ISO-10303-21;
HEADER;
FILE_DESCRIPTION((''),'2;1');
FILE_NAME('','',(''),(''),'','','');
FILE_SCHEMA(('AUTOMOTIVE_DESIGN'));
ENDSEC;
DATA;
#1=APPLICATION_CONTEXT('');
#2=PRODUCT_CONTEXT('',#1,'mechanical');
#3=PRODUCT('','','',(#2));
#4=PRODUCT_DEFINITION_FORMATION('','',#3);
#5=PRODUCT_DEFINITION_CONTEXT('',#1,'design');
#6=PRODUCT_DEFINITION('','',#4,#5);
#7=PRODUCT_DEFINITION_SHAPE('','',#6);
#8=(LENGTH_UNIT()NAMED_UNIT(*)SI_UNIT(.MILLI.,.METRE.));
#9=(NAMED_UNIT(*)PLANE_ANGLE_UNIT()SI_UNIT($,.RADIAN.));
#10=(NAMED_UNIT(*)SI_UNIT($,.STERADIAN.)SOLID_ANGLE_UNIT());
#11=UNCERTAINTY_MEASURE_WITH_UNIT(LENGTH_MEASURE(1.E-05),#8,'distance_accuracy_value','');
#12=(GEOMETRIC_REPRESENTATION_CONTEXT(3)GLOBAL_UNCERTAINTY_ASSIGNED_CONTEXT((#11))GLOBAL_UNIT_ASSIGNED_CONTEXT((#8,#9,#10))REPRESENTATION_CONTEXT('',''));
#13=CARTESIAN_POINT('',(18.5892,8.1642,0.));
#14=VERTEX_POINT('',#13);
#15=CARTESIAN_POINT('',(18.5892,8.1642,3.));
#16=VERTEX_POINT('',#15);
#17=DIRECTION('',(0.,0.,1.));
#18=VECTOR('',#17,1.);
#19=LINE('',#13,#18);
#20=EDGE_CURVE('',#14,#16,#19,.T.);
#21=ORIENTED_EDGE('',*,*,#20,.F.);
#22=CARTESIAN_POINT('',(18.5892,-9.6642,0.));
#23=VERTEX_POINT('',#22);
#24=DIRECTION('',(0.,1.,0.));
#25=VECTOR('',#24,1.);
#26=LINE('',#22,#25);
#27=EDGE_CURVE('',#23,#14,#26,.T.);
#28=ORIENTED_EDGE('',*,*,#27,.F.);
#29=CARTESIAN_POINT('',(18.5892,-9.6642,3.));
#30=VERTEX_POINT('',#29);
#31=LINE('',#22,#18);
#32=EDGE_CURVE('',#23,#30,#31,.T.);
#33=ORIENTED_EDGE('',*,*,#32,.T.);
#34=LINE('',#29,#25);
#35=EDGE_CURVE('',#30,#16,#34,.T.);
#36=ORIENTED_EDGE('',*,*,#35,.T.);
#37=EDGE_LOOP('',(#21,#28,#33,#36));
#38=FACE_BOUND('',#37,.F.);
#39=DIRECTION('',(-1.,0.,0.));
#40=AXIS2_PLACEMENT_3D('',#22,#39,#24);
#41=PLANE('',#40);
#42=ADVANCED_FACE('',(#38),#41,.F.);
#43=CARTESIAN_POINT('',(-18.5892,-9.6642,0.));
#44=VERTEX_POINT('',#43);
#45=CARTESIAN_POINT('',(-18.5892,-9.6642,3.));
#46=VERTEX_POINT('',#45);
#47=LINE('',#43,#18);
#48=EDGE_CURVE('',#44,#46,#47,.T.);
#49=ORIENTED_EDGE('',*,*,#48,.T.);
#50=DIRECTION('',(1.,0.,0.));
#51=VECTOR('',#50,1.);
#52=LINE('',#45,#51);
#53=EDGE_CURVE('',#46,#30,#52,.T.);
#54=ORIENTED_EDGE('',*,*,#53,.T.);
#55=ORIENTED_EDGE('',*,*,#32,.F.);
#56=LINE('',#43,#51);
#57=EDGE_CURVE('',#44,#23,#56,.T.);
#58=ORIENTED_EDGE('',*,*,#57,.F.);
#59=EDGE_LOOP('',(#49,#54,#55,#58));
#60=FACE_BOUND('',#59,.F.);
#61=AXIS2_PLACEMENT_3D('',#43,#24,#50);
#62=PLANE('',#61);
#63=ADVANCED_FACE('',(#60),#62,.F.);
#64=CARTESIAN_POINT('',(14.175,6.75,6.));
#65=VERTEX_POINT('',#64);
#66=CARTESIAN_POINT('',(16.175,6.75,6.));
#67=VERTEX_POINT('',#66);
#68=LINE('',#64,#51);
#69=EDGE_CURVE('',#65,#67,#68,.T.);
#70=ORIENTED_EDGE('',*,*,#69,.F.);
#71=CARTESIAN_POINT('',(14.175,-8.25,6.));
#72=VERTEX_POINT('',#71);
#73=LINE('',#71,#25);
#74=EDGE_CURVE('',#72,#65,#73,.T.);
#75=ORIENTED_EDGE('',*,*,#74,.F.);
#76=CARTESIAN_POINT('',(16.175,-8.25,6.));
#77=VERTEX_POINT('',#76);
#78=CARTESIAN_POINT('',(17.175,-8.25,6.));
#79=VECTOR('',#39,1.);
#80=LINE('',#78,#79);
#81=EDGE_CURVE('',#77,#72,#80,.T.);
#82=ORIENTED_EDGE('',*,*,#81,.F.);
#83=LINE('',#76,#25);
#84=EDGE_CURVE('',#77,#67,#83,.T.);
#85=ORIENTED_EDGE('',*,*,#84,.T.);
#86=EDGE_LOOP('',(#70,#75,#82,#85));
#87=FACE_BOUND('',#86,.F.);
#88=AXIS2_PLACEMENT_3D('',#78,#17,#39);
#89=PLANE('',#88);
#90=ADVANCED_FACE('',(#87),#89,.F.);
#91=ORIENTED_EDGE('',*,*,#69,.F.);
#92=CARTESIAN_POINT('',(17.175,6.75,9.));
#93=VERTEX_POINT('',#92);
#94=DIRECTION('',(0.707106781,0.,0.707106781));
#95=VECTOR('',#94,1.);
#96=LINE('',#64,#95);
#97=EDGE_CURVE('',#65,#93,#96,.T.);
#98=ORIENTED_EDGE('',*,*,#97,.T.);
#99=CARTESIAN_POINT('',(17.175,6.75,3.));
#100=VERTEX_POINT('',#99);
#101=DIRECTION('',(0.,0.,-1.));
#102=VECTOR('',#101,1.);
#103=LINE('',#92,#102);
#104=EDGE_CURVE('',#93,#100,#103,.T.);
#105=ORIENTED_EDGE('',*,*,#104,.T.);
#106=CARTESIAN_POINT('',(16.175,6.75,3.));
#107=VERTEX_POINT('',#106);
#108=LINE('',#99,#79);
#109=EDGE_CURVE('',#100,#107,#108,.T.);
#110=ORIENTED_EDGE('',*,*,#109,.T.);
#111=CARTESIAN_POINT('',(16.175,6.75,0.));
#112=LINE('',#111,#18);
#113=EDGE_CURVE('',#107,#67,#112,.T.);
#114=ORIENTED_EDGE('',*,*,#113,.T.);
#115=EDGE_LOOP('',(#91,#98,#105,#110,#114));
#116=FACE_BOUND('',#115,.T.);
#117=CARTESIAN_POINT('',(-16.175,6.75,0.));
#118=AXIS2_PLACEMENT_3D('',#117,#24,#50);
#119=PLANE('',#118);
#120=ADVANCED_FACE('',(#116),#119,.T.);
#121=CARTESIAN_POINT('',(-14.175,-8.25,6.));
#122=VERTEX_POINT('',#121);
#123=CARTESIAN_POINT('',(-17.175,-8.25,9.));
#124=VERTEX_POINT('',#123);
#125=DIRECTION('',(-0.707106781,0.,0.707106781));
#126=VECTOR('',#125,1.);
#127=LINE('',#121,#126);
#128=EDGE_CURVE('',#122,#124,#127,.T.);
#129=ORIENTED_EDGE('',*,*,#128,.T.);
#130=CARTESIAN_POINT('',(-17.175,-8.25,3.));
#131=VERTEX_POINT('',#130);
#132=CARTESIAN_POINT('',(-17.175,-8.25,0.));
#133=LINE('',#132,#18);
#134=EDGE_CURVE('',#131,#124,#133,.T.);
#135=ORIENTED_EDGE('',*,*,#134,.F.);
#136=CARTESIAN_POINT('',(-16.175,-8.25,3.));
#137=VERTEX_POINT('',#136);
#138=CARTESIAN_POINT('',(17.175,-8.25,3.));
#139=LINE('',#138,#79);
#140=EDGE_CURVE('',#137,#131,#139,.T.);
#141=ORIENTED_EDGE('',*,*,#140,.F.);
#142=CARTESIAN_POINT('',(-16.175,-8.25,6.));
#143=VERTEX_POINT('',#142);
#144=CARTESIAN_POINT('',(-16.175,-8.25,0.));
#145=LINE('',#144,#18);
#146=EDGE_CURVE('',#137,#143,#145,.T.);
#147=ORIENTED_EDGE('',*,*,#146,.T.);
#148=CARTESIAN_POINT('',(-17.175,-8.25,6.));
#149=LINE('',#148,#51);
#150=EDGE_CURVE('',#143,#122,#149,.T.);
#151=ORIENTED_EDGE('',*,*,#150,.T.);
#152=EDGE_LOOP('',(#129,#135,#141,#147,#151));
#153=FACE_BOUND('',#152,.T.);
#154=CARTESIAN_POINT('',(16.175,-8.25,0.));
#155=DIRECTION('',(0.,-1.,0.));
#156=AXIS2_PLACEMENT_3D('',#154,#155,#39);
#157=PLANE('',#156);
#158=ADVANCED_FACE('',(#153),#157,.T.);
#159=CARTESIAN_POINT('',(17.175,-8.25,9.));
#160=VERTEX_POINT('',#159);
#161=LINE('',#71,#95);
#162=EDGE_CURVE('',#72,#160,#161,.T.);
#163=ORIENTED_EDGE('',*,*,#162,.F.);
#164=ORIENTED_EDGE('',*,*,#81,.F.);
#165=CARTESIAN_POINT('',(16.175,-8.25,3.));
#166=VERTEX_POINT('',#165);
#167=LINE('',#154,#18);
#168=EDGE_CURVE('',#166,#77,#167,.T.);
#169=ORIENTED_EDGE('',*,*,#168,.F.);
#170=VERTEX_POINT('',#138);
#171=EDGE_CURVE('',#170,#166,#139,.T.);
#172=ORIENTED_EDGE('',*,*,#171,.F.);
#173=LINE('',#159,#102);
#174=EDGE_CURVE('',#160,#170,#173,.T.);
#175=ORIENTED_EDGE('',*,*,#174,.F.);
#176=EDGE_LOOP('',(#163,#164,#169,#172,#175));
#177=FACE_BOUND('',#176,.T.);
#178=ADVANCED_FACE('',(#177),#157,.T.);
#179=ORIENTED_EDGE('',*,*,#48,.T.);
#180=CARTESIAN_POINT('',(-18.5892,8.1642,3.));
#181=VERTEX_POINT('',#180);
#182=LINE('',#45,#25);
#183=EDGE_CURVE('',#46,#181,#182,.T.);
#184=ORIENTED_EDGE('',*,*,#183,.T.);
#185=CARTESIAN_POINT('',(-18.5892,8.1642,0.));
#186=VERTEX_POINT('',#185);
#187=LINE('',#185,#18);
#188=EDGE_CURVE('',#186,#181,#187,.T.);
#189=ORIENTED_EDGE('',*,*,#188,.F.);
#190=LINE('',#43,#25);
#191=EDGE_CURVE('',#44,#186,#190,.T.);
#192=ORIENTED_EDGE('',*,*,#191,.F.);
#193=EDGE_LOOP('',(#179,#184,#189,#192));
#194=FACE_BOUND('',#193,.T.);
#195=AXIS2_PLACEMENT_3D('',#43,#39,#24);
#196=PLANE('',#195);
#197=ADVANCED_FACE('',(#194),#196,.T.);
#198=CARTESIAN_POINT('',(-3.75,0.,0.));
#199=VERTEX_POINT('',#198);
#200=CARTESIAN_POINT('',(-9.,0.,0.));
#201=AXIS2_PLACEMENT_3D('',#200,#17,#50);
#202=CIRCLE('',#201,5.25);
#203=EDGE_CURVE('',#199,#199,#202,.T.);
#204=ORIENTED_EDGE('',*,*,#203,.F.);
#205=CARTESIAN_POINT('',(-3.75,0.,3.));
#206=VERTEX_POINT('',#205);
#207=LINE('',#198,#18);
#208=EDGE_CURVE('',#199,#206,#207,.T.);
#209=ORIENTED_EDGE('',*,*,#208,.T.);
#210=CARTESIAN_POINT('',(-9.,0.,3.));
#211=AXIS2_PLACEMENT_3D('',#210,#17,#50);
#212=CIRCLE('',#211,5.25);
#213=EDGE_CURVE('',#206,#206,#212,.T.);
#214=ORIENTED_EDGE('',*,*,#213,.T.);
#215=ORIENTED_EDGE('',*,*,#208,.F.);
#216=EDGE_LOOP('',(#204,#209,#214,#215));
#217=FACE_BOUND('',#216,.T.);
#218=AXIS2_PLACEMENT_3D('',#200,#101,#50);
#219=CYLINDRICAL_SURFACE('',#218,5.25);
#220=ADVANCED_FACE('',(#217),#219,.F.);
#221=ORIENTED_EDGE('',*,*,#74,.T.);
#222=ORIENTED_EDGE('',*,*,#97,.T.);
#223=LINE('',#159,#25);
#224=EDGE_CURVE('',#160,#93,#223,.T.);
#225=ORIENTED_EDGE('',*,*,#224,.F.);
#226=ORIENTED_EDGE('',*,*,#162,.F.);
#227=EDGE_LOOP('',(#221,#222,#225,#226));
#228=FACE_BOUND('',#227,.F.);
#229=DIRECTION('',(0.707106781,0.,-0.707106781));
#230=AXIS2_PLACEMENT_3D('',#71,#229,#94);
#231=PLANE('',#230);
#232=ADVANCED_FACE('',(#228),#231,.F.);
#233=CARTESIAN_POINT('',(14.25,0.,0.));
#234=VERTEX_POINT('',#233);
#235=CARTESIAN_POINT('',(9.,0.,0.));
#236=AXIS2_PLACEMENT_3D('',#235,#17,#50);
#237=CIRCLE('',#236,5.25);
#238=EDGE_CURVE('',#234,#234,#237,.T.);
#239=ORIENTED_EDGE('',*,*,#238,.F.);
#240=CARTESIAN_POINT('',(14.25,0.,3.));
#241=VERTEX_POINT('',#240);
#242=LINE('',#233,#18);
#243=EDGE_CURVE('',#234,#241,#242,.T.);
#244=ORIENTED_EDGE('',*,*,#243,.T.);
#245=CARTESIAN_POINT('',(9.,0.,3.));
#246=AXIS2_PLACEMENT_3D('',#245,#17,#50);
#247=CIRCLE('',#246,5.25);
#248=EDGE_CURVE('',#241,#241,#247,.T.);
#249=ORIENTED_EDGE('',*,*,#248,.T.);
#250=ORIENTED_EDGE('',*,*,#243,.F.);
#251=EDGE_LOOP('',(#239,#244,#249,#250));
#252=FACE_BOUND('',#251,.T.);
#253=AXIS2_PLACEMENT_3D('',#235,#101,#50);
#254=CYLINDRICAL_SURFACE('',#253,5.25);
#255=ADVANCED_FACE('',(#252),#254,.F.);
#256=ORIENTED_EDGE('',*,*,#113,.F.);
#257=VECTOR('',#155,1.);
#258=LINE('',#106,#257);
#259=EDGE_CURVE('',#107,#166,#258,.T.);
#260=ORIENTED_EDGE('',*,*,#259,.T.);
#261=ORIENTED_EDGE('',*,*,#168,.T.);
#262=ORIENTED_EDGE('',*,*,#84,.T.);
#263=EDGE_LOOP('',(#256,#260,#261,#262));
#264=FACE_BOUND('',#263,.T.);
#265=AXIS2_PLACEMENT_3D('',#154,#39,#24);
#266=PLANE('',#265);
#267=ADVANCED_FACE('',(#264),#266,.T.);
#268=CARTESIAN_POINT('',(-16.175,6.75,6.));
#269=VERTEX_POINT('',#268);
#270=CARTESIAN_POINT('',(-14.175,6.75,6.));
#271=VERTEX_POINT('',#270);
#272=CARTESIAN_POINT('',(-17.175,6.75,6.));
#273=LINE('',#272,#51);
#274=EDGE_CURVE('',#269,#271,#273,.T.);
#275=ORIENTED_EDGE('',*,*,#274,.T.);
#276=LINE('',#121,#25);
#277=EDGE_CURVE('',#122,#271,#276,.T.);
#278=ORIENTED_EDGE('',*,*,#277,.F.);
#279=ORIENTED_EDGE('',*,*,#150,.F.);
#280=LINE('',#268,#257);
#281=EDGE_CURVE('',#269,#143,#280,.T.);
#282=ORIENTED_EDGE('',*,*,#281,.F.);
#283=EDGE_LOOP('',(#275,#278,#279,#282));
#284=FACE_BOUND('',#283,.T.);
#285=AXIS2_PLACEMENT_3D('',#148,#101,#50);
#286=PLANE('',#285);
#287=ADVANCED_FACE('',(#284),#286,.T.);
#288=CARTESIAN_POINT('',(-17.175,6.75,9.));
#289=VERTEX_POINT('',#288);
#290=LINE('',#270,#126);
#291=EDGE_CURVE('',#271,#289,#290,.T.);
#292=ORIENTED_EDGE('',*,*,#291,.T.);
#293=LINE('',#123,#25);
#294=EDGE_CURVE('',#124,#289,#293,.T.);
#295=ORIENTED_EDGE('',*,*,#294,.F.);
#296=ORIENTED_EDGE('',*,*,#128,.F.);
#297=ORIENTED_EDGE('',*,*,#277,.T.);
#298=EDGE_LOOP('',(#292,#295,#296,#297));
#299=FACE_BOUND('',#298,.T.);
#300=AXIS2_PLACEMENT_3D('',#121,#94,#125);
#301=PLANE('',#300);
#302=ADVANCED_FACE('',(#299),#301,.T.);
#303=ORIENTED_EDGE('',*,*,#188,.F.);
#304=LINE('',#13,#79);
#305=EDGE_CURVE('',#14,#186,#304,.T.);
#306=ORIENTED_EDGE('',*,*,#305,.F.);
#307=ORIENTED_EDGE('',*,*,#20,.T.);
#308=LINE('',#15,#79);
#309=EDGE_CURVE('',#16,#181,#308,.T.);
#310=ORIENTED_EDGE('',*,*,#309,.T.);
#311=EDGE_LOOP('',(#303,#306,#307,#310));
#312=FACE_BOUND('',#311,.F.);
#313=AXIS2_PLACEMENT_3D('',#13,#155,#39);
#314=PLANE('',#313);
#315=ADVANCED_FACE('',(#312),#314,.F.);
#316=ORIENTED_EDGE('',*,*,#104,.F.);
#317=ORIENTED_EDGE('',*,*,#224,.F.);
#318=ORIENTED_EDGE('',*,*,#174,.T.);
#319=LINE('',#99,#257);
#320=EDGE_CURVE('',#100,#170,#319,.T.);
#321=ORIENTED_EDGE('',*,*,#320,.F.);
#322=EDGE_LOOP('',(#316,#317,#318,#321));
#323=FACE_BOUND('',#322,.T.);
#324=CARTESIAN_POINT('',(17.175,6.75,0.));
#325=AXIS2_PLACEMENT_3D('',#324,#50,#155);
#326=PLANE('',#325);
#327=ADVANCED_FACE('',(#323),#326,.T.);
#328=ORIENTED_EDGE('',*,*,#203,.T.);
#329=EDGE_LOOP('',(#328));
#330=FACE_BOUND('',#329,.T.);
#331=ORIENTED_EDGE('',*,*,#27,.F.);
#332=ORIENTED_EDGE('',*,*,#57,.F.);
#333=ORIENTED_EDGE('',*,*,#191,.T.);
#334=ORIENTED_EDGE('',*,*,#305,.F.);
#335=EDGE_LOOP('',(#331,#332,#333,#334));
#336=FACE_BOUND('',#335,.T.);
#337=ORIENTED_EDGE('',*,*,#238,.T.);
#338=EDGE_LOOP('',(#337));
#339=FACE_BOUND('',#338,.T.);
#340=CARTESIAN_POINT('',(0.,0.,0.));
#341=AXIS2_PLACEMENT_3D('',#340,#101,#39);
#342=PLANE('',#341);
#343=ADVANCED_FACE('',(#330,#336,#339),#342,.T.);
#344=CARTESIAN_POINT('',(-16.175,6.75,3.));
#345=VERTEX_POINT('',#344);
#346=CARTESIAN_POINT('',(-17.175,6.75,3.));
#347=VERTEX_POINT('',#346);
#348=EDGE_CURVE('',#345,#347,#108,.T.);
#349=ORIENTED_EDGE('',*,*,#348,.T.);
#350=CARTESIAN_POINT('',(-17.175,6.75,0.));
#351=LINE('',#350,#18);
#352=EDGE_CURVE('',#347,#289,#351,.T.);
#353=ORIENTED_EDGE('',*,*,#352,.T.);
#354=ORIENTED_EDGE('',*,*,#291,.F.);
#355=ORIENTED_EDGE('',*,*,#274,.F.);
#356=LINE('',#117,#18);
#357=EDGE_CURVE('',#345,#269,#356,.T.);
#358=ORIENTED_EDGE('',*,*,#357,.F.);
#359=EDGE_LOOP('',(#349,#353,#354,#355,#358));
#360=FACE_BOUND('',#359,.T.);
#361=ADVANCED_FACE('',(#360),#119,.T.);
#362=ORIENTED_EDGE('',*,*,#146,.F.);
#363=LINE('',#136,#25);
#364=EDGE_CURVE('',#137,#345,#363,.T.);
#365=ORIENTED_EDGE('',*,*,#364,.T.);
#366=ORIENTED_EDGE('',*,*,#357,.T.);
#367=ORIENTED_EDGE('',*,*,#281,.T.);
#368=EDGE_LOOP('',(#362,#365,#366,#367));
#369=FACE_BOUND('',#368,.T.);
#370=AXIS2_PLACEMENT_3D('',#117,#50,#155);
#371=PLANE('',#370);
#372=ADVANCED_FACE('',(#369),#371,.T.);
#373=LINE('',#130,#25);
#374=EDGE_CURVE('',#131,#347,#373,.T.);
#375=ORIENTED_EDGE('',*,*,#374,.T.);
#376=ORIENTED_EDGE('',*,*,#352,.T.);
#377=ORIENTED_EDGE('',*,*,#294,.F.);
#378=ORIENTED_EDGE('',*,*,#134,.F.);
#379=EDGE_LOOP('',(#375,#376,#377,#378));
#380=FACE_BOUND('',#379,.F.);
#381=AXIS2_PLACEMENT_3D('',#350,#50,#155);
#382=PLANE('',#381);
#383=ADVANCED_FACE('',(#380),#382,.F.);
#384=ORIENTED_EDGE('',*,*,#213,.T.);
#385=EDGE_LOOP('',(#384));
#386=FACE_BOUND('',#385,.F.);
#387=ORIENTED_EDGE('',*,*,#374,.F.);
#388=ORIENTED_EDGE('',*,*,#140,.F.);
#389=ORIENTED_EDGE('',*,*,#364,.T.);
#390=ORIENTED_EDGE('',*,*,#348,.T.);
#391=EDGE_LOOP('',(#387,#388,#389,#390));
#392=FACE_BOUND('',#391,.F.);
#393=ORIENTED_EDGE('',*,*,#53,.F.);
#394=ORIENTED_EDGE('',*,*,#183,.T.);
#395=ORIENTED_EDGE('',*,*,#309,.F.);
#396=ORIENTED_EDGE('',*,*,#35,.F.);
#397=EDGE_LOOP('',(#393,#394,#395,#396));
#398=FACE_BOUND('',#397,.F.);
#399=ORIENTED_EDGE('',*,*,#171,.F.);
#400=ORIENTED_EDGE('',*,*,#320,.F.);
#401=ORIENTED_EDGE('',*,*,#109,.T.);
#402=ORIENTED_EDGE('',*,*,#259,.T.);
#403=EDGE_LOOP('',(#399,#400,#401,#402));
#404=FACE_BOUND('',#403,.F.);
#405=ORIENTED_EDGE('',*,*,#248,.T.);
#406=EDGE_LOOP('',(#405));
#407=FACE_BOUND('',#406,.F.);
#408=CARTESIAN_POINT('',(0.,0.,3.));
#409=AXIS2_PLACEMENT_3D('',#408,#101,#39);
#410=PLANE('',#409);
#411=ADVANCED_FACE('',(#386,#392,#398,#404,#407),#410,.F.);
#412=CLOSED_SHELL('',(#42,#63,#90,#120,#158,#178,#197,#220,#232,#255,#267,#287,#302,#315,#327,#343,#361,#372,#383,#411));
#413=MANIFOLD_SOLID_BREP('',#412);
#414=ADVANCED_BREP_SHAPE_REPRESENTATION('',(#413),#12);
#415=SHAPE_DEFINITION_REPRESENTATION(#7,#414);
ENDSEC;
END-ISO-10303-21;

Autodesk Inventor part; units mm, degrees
ref_plane "YZ Plane" through (0, 0, 0) normal (1, 0, 0) x (0, 1, 0)
ref_plane "XZ Plane" through (0, 0, 0) normal (0, 1, 0) x (-1, 0, 0)
ref_plane "XY Plane" through (0, 0, 0) normal (0, 0, 1) x (1, 0, 0)
sketch "Sketch1" plane through (0, 0, 0) normal (0, 0, 1) x (1, 0, 0)
  circle A0 centre (-9, 0) radius 5.25
  circle A1 centre (9, 0) radius 5.25
  line L0 (-16.175, 6.75) -> (16.175, 6.75)
  line L1 (-16.175, -8.25) -> (-16.175, 6.75)
  line L2 (16.175, -8.25) -> (-16.175, -8.25)
  line L3 (16.175, 6.75) -> (16.175, -8.25)
  line L4 (-16.175, 6.75) -> (16.175, -8.25) construction
  line L5 (16.175, 6.75) -> (-16.175, -8.25) construction
  point P0 (0, 0)
  point P1 (0, -7.6531)
  point P2 (14.6494, -5.75)
  point P3 (0, -0.75)
  dimension "d2" = 10.5
  dimension "d3" = 32.35
  dimension "d4" = 32.35
  dimension "d5" = 16.175
  dimension "d6" = 15
  dimension "d7" = 15
  dimension "d8" = 12.5
  dimension "d9" = 18
  dimension "d12" = 9
  dimension "d13" = 9
  dimension "d14" = 10.5
  dimension "d15" = 6.75
  dimension "d16" = 6.75
extrude "Extrusion1" add sketch "Sketch1" along normal blind 3
sketch "Sketch2" plane through (0, 0, 0) normal (0, 0, -1) x (-1, 0, 0)
  circle A0 centre (-9, 0) radius 5.25 projected
  circle A1 centre (9, 0) radius 5.25 projected
  line L0 (-16.175, 6.75) -> (16.175, 6.75) projected
  line L1 (-16.175, -8.25) -> (-16.175, 6.75) projected
  line L2 (16.175, -8.25) -> (-16.175, -8.25) projected
  line L3 (16.175, 6.75) -> (16.175, -8.25) projected
  line L4 (-16.175, 6.75) -> (-17.175, 6.75)
  line L5 (-17.175, 6.75) -> (-17.175, -8.25)
  line L6 (-17.175, -8.25) -> (-16.175, -8.25)
  line L7 (-16.175, -8.25) -> (-16.175, 6.75)
  line L8 (16.175, 6.75) -> (17.175, 6.75)
  line L9 (17.175, 6.75) -> (17.175, -8.25)
  line L10 (17.175, -8.25) -> (16.175, -8.25)
  line L11 (16.175, -8.25) -> (16.175, 6.75)
  point P0 (0, 0)
  dimension "d17" = 1
  dimension "d18" = 1
extrude "Extrusion2" add sketch "Sketch2" against normal blind 6 contours L1 L6 L5 L4 | L8 L9 L10 L3
sketch "Sketch3" plane through (-17.175, -8.25, 0) normal (0, -1, 0) x (1, 0, 0)
  line L0 (0, 6) -> (3, 6)
  line L1 (3, 6) -> (0, 9)
  line L2 (0, 9) -> (0, 6)
  line L3 (34.35, 6) -> (31.35, 6)
  line L4 (34.35, 6) -> (33.35, 6) projected
  line L5 (31.35, 6) -> (34.35, 9)
  line L6 (34.35, 9) -> (34.35, 6)
  point P0 (17.175, 0)
  dimension "d21" = 45
  dimension "d22" = 3
  dimension "d23" = 45
  dimension "d35" = 3
extrude "Extrusion3" add sketch "Sketch3" against normal blind 15
sketch "Sketch4" plane through (0, 0, 0) normal (0, 0, -1) x (-1, 0, 0)
  circle A0 centre (-9, 0) radius 5.25 projected
  circle A1 centre (9, 0) radius 5.25 projected
  line L0 (-17.175, 6.75) -> (17.175, 6.75) projected
  line L1 (-17.175, 6.75) -> (-17.175, -8.25) projected
  line L2 (-17.175, -8.25) -> (17.175, -8.25) projected
  line L3 (17.175, -8.25) -> (17.175, 6.75) projected
  line L4 (17.175, -8.25) -> (18.5892, -9.6642)
  line L5 (17.175, -8.25) -> (19.175, -8.25) construction
  line L6 (17.175, 6.75) -> (18.5892, 8.1642)
  line L7 (17.175, 6.75) -> (19.175, 6.75) construction
  line L8 (-17.175, 6.75) -> (-18.5892, 8.1642)
  line L9 (-17.175, 6.75) -> (-15.175, 6.75) construction
  line L10 (-17.175, 6.75) -> (-17.175, -8.25) projected
  line L11 (-18.5892, 8.1642) -> (18.5892, 8.1642)
  line L12 (18.5892, -9.6642) -> (18.5892, 8.1642)
  line L13 (18.5892, -9.6642) -> (-18.5892, -9.6642)
  line L14 (18.5892, -9.6642) -> (55.7676, -9.6642) construction
  line L15 (-18.5892, -9.6642) -> (-18.5892, 8.1642)
  point P0 (0, 0)
  dimension "d26" = 2
  dimension "d27" = 45
  dimension "d28" = 2
  dimension "d29" = 45
  dimension "d30" = 2
  dimension "d31" = 135
  dimension "d32" = 180
extrude "Extrusion4" add sketch "Sketch4" against normal blind 3 contours L8 L11 L6 L0 | L1 L2 L4 L13 L15 L8 | L6 L12 L4 L3
equation "\"d4\" = d3"
equation "\"d5\" = 0.5 * d4"
equation "\"d7\" = d6"
equation "\"d12\" = 0.5 * d9"
equation "\"d13\" = d12"
equation "\"d14\" = d2"
equation "\"d16\" = d15"
